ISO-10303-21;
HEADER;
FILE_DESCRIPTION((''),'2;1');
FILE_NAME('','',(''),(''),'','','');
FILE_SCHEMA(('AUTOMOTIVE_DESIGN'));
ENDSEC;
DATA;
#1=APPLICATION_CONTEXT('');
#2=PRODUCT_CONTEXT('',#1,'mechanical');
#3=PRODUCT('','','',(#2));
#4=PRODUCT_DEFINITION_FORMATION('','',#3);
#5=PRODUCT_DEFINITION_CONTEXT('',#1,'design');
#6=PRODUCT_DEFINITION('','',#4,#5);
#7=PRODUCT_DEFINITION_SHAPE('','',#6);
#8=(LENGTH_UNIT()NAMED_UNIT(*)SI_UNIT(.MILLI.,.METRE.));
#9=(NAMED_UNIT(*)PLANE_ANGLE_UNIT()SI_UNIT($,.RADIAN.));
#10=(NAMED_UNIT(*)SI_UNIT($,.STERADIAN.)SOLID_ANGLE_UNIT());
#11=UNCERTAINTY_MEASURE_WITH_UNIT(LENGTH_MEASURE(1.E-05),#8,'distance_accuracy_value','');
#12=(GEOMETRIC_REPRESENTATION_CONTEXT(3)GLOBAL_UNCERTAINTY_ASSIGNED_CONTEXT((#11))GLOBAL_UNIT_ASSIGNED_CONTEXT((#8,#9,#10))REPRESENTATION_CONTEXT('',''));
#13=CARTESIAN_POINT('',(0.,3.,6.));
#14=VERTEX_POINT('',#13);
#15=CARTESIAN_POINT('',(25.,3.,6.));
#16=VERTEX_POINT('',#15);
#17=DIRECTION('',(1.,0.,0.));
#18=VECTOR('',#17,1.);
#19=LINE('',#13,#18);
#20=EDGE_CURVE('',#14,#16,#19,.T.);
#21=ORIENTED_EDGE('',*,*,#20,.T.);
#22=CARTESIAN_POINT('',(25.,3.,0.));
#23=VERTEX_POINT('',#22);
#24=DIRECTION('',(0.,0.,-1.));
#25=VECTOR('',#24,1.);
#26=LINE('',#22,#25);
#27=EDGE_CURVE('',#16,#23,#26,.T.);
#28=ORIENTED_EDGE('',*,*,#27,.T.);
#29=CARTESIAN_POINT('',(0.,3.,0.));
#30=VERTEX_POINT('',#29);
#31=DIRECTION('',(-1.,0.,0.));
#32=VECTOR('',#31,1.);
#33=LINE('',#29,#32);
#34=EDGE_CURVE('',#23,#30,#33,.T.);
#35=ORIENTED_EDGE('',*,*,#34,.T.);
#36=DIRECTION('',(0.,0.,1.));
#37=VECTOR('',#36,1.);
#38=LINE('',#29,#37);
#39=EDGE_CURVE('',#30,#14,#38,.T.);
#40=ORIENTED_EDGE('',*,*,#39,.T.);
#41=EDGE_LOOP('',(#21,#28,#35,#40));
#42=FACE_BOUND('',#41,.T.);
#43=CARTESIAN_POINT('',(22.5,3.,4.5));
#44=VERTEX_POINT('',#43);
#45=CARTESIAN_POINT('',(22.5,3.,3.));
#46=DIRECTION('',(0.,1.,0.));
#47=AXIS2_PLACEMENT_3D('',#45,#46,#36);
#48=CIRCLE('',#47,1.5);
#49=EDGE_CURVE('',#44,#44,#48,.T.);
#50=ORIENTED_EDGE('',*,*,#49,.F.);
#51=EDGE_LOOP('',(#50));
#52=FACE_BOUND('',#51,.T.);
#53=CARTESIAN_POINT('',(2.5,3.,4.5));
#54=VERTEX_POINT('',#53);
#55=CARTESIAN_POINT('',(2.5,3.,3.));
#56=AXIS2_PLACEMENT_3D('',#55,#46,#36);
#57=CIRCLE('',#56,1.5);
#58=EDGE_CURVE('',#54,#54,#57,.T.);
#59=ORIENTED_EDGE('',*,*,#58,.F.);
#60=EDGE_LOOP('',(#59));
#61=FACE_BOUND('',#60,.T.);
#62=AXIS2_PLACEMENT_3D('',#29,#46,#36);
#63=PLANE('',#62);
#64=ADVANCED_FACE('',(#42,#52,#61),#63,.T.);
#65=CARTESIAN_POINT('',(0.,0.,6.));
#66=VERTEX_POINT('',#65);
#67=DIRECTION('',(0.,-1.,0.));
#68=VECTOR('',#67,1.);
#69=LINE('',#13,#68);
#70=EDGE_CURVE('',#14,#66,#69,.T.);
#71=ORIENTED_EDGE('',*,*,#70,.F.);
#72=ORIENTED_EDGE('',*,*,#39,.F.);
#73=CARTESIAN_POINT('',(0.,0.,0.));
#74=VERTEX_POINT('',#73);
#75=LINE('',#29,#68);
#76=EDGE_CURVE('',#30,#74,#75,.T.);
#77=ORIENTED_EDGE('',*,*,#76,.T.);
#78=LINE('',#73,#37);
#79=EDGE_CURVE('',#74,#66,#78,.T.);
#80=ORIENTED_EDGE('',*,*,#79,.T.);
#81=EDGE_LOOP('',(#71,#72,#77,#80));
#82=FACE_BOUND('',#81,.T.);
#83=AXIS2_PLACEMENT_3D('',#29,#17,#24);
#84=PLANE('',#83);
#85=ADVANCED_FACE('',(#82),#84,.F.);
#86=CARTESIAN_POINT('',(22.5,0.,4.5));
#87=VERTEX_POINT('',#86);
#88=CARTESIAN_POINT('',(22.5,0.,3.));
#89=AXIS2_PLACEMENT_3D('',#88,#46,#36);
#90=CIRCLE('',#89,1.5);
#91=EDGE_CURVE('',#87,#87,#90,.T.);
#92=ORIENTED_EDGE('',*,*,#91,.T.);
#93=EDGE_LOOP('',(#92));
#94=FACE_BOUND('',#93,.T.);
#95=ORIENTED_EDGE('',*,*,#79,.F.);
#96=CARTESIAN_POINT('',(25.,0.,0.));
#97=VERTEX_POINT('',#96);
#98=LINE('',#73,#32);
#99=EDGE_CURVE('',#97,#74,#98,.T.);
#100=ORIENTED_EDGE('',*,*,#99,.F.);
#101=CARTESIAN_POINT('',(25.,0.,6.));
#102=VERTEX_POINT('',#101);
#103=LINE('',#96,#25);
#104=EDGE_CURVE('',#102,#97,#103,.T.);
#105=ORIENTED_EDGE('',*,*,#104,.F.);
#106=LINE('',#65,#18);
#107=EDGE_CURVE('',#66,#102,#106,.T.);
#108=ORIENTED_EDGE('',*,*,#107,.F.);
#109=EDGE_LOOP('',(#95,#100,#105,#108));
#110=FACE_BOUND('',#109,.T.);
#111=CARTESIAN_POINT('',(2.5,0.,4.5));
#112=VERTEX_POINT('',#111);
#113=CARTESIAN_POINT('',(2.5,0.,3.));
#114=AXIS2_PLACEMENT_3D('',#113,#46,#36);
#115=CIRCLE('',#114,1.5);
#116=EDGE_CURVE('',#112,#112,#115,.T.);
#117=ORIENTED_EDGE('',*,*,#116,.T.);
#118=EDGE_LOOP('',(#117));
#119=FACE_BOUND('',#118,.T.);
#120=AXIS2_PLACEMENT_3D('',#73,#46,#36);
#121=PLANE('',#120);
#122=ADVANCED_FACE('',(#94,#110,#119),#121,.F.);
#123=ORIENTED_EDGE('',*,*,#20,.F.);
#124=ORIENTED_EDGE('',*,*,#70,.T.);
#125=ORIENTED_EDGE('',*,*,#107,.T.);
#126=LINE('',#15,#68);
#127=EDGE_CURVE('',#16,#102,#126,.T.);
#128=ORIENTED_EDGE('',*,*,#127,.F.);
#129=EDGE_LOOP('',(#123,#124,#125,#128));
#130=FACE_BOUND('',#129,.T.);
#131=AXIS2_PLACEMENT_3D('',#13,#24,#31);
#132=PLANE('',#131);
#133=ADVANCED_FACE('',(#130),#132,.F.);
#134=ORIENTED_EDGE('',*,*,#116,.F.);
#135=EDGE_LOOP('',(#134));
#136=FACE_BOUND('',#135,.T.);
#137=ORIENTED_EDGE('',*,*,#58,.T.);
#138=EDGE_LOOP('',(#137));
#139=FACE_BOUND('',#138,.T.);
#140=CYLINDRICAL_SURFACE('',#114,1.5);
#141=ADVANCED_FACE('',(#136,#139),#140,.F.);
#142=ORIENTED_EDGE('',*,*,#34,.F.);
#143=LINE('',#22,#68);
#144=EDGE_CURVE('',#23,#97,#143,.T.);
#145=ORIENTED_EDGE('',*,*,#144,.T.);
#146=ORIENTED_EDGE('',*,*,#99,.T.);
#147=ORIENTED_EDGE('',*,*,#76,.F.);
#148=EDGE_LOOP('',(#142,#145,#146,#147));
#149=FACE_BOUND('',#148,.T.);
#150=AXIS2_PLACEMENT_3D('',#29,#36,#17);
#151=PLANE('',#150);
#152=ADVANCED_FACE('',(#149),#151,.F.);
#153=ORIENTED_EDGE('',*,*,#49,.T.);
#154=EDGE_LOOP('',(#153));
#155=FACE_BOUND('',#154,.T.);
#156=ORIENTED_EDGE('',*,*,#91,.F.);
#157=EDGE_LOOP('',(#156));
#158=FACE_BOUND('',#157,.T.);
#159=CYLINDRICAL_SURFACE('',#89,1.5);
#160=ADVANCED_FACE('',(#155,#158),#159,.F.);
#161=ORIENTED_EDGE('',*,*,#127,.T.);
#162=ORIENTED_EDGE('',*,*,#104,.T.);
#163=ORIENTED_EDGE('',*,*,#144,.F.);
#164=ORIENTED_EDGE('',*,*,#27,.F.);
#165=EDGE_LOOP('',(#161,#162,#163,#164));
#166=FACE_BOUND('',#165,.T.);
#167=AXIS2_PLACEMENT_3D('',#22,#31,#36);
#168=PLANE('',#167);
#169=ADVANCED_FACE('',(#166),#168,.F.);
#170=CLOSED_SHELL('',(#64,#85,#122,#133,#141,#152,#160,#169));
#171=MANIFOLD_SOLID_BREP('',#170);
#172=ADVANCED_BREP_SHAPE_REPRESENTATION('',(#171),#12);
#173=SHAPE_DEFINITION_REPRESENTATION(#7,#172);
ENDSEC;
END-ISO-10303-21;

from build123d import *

# Parameters (mm, degrees)
SKETCH1_W           = 25
SKETCH1_H           = 6
BOSS_EXTRUDE1_DEPTH = 3
SKETCH2_R           = 1.5
CUT_EXTRUDE1_DEPTH  = 3


with BuildPart() as part:
    # Sketch1 → Boss-Extrude1 (new body)
    with BuildSketch(Plane(origin=(0, 0, 0), x_dir=(1, 0, 0), z_dir=(0, 1, 0))):
        with Locations((12.5, -3)):
            Rectangle(SKETCH1_W, SKETCH1_H)
    extrude(amount=BOSS_EXTRUDE1_DEPTH)

    # Sketch2 → Cut-Extrude1 (cut)
    with BuildSketch(Plane(origin=(0, 3, 0), x_dir=(1, 0, 0), z_dir=(0, 1, 0))):
        with Locations(Location((2.5, -3, 0), (0, 0, 270))):
            Circle(SKETCH2_R)
        with Locations(Location((22.5, -3, 0), (0, 0, 270))):
            Circle(SKETCH2_R)
    extrude(amount=-CUT_EXTRUDE1_DEPTH, mode=Mode.SUBTRACT)


solid = part.part
